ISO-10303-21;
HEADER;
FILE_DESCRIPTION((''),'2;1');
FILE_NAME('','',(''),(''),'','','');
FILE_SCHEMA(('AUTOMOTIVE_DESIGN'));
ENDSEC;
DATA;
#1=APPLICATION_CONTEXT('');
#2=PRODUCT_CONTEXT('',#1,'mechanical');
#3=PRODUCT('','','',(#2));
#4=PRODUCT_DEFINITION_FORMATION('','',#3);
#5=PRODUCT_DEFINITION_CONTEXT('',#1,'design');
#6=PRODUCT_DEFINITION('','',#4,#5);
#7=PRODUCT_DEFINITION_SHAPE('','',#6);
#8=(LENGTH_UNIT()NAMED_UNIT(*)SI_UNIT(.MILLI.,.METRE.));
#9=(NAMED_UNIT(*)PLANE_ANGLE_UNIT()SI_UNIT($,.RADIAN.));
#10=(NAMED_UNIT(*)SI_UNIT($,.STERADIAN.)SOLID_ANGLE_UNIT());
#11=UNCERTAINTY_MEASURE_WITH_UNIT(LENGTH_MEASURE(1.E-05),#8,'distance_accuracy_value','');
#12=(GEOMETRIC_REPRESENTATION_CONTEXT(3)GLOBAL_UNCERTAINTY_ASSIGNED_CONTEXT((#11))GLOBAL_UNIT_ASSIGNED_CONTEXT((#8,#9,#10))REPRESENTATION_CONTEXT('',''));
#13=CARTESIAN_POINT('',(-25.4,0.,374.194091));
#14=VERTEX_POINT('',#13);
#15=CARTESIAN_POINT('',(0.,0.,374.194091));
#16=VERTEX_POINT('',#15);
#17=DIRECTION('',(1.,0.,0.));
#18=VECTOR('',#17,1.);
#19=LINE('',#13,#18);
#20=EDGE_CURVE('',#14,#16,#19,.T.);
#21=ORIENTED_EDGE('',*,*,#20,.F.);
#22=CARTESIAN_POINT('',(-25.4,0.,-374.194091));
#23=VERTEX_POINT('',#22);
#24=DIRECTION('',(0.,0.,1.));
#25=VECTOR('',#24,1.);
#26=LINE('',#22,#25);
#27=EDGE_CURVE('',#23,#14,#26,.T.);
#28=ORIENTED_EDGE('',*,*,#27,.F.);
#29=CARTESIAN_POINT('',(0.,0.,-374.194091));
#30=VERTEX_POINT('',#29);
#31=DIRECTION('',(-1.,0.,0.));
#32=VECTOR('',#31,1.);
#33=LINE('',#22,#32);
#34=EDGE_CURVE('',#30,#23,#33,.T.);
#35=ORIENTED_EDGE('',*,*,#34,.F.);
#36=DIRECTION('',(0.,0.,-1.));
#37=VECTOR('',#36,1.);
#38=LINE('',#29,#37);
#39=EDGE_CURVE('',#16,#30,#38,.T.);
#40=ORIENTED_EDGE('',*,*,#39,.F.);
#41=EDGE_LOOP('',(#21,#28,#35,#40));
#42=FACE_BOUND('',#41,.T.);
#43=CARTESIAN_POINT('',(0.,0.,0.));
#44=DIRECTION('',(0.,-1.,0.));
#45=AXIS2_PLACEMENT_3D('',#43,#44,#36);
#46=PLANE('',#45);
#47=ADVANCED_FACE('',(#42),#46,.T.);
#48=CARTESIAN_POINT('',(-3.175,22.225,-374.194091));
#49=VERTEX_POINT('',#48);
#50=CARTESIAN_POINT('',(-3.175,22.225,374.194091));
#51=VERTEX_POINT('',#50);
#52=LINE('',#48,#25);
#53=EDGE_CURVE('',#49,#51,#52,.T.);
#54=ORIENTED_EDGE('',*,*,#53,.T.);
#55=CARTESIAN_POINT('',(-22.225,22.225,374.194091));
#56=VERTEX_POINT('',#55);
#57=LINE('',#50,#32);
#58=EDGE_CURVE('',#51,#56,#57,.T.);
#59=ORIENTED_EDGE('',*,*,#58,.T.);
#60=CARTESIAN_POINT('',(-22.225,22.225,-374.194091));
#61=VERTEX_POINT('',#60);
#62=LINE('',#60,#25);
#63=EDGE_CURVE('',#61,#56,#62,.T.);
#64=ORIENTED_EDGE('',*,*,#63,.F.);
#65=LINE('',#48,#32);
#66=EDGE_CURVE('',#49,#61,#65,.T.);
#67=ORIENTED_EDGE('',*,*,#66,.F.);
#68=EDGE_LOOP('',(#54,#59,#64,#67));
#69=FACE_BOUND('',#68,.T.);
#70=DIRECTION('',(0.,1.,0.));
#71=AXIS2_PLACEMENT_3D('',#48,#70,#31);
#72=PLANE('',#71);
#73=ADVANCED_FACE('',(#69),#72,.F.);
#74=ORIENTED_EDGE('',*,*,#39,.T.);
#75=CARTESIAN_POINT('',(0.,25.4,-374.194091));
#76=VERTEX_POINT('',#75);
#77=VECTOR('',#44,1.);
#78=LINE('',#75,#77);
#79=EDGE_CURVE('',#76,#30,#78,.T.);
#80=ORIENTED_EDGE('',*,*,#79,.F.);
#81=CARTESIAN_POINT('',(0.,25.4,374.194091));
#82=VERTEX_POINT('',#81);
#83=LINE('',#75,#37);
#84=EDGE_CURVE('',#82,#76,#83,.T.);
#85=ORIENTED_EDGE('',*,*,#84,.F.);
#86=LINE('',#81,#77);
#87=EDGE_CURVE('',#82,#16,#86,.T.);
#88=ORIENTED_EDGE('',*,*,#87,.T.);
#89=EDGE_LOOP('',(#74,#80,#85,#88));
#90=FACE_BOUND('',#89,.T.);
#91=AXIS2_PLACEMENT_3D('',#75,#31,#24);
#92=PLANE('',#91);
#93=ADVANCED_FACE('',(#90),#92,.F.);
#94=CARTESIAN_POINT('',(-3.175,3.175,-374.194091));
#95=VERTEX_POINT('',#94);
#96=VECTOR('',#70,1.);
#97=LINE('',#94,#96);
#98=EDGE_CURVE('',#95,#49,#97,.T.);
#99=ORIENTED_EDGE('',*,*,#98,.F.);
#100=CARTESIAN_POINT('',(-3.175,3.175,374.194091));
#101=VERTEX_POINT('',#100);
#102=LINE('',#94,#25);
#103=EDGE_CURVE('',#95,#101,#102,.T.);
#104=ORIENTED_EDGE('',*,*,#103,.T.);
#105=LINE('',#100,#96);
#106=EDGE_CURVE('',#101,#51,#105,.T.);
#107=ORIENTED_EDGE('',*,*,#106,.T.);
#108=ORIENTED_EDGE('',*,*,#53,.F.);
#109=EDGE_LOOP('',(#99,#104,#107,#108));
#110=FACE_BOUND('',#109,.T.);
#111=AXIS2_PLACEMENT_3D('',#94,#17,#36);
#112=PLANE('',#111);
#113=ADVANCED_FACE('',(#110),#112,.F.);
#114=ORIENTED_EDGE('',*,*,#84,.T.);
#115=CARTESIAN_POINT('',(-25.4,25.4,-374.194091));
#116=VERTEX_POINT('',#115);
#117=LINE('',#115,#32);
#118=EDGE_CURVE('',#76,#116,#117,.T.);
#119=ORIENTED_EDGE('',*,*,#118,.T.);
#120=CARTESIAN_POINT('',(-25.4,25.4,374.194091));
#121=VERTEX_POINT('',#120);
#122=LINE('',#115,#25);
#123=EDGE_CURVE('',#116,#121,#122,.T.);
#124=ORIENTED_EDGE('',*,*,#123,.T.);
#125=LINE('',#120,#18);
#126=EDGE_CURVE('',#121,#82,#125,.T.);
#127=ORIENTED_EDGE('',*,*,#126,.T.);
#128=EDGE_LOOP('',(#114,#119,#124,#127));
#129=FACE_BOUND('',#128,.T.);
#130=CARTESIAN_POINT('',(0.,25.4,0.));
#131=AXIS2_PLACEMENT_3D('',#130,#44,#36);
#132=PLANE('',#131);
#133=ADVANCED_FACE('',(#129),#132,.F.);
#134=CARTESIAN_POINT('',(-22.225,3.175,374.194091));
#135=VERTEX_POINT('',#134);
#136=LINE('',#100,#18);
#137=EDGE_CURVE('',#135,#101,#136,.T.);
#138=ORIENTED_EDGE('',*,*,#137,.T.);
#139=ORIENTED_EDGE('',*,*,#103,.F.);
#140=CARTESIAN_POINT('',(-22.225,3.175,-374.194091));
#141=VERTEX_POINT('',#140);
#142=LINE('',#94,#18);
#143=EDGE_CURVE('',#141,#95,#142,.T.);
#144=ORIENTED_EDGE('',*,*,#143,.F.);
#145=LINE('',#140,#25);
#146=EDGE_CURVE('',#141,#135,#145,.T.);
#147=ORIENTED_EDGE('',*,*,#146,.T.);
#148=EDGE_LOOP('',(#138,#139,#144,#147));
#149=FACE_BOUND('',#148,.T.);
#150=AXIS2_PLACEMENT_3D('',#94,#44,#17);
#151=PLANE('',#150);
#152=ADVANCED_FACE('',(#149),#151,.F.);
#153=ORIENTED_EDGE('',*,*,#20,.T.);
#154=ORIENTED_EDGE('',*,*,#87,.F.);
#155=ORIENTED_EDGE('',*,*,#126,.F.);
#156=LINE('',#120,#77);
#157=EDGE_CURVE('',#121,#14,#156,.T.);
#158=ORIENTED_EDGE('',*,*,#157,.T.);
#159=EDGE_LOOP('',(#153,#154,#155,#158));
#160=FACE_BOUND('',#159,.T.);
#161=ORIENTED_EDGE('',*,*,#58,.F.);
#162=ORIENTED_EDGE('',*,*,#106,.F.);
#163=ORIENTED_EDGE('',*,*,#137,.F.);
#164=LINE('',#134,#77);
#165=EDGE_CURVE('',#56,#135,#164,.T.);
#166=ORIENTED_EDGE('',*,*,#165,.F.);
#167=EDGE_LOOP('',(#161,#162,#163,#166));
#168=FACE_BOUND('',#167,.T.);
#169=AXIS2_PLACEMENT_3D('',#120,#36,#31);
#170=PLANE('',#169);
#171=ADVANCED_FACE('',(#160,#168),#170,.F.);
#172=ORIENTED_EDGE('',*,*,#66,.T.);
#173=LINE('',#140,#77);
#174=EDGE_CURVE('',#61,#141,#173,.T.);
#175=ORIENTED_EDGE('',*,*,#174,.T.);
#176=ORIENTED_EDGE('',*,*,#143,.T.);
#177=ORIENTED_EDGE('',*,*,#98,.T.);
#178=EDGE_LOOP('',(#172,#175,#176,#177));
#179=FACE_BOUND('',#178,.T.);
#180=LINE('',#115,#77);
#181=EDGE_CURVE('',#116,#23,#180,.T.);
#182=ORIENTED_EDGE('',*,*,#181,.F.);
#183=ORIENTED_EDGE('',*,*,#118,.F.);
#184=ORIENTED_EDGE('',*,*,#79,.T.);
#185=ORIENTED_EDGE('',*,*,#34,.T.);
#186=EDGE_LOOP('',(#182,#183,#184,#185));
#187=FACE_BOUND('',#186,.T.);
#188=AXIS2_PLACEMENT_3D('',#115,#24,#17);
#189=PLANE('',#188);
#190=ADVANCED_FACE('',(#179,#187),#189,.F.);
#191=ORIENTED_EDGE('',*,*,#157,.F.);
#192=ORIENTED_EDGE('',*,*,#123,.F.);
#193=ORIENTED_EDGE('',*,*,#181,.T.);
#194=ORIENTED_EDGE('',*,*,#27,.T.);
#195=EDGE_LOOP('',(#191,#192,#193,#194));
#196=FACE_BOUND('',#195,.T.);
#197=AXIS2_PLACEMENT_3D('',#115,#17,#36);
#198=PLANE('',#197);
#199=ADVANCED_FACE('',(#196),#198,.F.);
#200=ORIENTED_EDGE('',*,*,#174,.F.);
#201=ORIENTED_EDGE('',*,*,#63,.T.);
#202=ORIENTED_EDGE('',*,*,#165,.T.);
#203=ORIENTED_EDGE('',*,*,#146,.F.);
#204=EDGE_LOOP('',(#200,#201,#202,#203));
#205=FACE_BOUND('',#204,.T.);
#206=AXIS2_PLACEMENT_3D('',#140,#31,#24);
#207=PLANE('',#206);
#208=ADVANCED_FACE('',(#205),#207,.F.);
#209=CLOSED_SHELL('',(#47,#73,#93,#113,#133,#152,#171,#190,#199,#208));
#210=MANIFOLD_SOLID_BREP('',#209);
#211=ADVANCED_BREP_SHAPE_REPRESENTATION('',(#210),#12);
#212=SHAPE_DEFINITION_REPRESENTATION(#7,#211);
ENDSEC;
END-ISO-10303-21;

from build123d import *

# Parameters (mm, degrees)
SKETCH1_W           = 25.4
SKETCH1_H           = 748.388181024
BOSS_EXTRUDE1_DEPTH = 25.4
SKETCH2_W           = 19.05
SKETCH2_H           = 19.05
CUT_EXTRUDE1_DEPTH  = 750.249751082


with BuildPart() as part:
    # Sketch1 → Boss-Extrude1 (new body)
    with BuildSketch(Plane(origin=(0, 0, 0), x_dir=(1, 0, 0), z_dir=(0, 1, 0))):
        with Locations((-12.7, 0)):
            Rectangle(SKETCH1_W, SKETCH1_H)
    extrude(amount=BOSS_EXTRUDE1_DEPTH)

    # Sketch2 → Cut-Extrude1 (cut, through all)
    with BuildSketch(Plane.XY.offset(374.194090512)):
        with Locations((-12.7, 12.7)):
            Rectangle(SKETCH2_W, SKETCH2_H)
    extrude(amount=-CUT_EXTRUDE1_DEPTH, mode=Mode.SUBTRACT)


solid = part.part
